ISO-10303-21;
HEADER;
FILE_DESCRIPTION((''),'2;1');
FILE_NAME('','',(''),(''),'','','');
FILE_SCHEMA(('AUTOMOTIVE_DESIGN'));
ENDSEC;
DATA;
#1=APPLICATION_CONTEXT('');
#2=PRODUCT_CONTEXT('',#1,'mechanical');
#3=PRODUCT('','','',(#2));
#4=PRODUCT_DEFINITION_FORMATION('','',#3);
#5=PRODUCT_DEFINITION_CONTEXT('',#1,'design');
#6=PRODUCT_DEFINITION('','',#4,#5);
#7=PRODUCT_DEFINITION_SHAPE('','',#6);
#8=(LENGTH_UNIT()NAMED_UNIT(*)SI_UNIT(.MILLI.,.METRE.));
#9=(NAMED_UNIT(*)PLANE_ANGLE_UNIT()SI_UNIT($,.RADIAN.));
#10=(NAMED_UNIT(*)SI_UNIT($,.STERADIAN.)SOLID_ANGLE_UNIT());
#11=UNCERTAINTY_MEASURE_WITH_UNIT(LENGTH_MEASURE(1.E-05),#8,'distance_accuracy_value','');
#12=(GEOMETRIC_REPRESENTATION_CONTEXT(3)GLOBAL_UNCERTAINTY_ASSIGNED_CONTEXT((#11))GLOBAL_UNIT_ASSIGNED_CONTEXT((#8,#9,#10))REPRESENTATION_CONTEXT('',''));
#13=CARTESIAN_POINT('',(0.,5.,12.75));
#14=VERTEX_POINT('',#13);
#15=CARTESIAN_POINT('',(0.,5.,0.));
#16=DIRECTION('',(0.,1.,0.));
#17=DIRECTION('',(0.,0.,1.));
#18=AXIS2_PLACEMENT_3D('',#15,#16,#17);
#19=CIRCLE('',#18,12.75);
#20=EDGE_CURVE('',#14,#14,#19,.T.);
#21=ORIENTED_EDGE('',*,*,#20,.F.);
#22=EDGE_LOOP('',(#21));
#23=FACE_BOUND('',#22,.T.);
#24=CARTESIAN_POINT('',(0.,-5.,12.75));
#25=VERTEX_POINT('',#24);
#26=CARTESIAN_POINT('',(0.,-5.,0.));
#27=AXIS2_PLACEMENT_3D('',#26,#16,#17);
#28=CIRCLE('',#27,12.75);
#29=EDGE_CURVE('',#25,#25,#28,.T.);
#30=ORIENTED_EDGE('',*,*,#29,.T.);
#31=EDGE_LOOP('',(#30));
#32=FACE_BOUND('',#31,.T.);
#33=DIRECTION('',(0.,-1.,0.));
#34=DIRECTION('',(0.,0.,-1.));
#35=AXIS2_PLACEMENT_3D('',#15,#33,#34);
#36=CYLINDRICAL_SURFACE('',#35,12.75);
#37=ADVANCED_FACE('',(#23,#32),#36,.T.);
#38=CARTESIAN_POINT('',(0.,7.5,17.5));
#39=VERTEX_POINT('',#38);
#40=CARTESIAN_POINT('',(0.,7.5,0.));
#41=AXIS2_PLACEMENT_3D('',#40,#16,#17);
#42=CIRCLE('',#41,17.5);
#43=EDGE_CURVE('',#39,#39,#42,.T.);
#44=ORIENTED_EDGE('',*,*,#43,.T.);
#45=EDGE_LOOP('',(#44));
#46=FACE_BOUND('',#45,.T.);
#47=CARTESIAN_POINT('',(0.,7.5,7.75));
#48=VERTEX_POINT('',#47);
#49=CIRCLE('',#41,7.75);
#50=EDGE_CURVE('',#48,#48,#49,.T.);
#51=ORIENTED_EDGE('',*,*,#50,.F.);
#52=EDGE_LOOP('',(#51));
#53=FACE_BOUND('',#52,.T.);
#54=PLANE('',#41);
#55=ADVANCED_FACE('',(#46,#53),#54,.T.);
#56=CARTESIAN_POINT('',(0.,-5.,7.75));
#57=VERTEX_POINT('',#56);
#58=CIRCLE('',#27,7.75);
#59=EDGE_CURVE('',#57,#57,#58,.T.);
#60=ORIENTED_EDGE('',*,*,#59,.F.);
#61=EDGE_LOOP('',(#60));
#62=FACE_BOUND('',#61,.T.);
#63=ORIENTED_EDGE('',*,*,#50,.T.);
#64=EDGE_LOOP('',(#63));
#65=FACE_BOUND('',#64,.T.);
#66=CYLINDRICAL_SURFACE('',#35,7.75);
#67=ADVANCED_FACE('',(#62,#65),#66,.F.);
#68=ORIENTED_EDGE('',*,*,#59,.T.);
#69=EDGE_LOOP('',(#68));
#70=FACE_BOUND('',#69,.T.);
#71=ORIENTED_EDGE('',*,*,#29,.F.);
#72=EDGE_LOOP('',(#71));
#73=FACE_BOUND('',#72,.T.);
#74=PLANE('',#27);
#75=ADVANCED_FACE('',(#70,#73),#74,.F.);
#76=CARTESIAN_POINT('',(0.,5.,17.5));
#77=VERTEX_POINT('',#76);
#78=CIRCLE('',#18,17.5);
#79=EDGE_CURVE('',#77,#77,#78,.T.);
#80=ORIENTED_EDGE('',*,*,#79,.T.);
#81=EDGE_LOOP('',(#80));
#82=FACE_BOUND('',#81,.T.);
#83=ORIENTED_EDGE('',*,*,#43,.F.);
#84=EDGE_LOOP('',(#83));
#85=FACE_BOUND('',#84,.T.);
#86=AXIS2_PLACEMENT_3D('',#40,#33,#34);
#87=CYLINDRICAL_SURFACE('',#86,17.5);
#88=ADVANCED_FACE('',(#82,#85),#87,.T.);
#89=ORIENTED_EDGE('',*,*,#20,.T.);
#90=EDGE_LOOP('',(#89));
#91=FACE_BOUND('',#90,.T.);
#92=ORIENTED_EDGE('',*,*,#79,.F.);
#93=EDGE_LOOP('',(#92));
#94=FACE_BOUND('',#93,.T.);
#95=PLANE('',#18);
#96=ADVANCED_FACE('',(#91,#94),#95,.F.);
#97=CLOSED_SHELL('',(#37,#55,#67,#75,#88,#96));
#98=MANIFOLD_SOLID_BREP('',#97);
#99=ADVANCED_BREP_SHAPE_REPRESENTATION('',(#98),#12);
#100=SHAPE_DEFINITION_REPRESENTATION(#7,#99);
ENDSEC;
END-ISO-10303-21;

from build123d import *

# Parameters (mm, degrees)
SKETCH1_R           = 12.75
SKETCH1_R_2         = 7.75
BOSS_EXTRUDE1_DEPTH = 5
SKETCH2_R           = 17.5
SKETCH2_R_2         = 7.75
BOSS_EXTRUDE2_DEPTH = 2.5


with BuildPart() as part:
    # Sketch1 → Boss-Extrude1 (new, symmetric)
    with BuildSketch(Plane(origin=(0, 0, 0), x_dir=(1, 0, 0), z_dir=(0, 1, 0))):
        with Locations(Location((0, 0, 0), (0, 0, 270))):
            Circle(SKETCH1_R)
        with Locations(Location((0, 0, 0), (0, 0, 270))):
            Circle(SKETCH1_R_2, mode=Mode.SUBTRACT)
    extrude(amount=BOSS_EXTRUDE1_DEPTH, both=True)

    # Sketch2 → Boss-Extrude2 (add)
    with BuildSketch(Plane(origin=(0, 5, 0), x_dir=(1, 0, 0), z_dir=(0, 1, 0))):
        with Locations(Location((0, 0, 0), (0, 0, 270))):
            Circle(SKETCH2_R)
        with Locations(Location((0, 0, 0), (0, 0, 270))):
            Circle(SKETCH2_R_2, mode=Mode.SUBTRACT)
    extrude(amount=BOSS_EXTRUDE2_DEPTH)


solid = part.part
